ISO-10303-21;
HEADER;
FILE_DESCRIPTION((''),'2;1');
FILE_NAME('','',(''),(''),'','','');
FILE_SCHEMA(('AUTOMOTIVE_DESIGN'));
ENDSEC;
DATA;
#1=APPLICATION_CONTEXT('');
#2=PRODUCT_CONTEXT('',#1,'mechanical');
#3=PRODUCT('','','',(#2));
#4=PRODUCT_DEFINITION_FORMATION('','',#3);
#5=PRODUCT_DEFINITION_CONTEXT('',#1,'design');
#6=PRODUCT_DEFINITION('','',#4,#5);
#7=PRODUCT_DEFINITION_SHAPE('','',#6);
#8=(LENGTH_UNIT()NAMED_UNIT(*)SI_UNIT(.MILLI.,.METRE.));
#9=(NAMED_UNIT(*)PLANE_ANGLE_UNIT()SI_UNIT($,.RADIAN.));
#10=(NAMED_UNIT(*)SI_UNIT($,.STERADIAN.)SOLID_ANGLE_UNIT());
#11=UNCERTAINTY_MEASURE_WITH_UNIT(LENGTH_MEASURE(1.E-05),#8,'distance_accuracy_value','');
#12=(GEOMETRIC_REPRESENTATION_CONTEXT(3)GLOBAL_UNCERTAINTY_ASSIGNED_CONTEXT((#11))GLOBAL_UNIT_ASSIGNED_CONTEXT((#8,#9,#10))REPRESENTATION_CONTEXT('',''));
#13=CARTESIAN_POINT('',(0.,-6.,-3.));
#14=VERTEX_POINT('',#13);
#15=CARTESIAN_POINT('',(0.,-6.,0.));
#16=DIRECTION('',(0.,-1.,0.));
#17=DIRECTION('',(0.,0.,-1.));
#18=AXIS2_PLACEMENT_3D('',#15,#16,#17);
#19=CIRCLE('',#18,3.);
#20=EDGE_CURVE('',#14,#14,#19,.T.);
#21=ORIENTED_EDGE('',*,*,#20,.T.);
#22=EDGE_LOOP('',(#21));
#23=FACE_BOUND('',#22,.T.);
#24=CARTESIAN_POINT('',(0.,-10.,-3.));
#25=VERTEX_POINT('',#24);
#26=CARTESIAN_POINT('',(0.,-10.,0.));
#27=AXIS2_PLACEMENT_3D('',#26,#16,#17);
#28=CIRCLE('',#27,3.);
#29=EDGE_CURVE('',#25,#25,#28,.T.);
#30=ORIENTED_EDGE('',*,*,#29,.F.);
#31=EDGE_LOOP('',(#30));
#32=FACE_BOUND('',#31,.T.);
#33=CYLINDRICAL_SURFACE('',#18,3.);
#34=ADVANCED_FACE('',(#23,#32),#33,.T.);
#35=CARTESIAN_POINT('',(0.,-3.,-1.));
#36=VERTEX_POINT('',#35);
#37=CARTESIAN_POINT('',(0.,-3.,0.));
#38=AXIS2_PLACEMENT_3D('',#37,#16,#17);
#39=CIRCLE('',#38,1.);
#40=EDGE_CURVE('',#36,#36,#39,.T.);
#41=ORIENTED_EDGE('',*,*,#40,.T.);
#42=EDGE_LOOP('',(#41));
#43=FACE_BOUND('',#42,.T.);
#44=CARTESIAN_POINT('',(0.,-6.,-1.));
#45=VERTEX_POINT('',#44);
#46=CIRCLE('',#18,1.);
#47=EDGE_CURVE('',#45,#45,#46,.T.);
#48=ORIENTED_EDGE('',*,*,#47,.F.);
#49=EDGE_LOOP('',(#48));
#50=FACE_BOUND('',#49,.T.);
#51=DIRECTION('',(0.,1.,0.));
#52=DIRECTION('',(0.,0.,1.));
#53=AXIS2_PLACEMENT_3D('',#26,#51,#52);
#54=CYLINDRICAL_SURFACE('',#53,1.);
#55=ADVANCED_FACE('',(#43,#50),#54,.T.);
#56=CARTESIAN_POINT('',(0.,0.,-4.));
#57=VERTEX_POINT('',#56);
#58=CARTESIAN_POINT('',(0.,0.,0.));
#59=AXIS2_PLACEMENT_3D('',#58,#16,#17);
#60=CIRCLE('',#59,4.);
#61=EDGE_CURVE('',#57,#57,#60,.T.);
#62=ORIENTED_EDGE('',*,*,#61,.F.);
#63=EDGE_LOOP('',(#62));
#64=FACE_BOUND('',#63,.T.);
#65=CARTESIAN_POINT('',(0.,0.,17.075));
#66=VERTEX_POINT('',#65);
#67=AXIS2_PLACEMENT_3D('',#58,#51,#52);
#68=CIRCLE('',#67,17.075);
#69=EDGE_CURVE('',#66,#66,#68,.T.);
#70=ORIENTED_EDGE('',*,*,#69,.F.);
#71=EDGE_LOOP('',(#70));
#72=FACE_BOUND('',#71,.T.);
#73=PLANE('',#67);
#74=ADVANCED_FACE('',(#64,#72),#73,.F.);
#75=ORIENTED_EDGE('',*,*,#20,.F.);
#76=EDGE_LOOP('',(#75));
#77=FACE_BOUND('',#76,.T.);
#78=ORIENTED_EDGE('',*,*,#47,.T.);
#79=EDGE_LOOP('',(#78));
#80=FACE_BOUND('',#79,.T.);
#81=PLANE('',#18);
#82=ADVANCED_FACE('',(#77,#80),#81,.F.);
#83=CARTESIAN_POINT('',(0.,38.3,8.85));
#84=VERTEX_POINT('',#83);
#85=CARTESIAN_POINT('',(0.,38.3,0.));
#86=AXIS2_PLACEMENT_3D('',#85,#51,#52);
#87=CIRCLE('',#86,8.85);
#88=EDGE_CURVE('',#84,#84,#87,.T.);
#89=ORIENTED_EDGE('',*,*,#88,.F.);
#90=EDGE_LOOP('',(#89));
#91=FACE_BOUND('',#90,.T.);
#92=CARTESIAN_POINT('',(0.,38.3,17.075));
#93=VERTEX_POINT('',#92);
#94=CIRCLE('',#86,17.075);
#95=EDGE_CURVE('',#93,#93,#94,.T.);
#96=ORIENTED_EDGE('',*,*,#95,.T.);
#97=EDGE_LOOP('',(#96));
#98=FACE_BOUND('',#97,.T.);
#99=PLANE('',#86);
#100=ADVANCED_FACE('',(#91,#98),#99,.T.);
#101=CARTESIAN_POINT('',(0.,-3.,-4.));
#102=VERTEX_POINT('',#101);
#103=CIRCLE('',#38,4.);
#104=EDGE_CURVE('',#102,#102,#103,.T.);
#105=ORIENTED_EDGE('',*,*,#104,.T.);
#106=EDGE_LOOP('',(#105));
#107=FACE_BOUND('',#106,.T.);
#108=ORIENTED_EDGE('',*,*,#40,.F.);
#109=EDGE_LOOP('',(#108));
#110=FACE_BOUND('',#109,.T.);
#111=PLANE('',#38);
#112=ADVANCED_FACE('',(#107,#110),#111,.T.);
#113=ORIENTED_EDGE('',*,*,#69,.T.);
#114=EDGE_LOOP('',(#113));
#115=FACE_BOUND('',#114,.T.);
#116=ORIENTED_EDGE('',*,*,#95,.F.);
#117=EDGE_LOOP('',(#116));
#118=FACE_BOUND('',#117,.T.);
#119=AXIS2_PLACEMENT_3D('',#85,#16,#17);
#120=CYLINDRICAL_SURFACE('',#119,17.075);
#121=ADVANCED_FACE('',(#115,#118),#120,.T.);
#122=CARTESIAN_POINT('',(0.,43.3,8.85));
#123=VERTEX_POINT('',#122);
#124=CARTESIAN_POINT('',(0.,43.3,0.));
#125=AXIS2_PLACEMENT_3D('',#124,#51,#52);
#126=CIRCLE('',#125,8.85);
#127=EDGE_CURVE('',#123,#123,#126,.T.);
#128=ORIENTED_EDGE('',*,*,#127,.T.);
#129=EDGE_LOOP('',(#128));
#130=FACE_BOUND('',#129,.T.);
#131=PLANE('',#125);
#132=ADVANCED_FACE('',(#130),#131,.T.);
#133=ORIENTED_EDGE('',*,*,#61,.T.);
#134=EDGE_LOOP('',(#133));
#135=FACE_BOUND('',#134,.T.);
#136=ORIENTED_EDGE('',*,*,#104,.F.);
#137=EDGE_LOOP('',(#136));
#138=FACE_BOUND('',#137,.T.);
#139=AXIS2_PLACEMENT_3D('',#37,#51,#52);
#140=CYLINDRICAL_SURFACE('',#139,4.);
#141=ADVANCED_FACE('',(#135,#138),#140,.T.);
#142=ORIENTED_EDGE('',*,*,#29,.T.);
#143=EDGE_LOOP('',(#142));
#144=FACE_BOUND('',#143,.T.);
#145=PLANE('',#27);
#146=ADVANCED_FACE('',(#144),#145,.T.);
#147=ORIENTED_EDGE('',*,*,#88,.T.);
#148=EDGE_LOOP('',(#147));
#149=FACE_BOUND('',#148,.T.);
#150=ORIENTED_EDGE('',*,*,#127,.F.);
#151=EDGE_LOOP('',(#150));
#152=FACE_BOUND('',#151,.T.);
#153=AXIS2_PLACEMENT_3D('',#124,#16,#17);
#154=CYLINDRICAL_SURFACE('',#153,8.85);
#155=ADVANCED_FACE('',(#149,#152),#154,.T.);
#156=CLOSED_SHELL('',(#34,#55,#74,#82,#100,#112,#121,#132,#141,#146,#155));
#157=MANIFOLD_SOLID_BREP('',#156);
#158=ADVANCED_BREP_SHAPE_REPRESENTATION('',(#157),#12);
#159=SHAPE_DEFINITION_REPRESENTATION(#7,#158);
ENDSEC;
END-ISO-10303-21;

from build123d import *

# Parameters (mm, degrees)
ESBO_O1_R                = 17.075
RESSALTO_EXTRUS_O1_DEPTH = 38.3
ESBO_O2_R                = 8.85
RESSALTO_EXTRUS_O2_DEPTH = 5
ESBO_O3_R                = 4
RESSALTO_EXTRUS_O3_DEPTH = 3
ESBO_O5_R                = 1
RESSALTO_EXTRUS_O4_DEPTH = 7
ESBO_O6_R                = 3
RESSALTO_EXTRUS_O5_DEPTH = 4


with BuildPart() as part:
    # Esboço1 → Ressalto-extrusão1 (new body)
    with BuildSketch(Plane(origin=(0, 0, 0), x_dir=(1, 0, 0), z_dir=(0, 1, 0))):
        with Locations(Location((0, 0, 0), (0, 0, 270))):
            Circle(ESBO_O1_R)
    extrude(amount=RESSALTO_EXTRUS_O1_DEPTH)

    # Esboço2 → Ressalto-extrusão2 (add)
    with BuildSketch(Plane(origin=(0, 38.3, 0), x_dir=(1, 0, 0), z_dir=(0, 1, 0))):
        with Locations(Location((0, 0, 0), (0, 0, 270))):
            Circle(ESBO_O2_R)
    extrude(amount=RESSALTO_EXTRUS_O2_DEPTH)

    # Esboço3 → Ressalto-extrusão3 (add)
    with BuildSketch(Plane.XZ):
        with Locations(Location((0, 0, 0), (0, 0, 270))):
            Circle(ESBO_O3_R)
    extrude(amount=RESSALTO_EXTRUS_O3_DEPTH)

    # Esboço5 → Ressalto-extrusão4 (add)
    with BuildSketch(Plane.XZ.offset(3)):
        with Locations(Location((0, 0, 0), (0, 0, 270))):
            Circle(ESBO_O5_R)
    extrude(amount=RESSALTO_EXTRUS_O4_DEPTH)

    # Esboço6 → Ressalto-extrusão5 (add)
    with BuildSketch(Plane.XZ.offset(10)):
        with Locations(Location((0, 0, 0), (0, 0, 270))):
            Circle(ESBO_O6_R)
    extrude(amount=-RESSALTO_EXTRUS_O5_DEPTH)


solid = part.part
